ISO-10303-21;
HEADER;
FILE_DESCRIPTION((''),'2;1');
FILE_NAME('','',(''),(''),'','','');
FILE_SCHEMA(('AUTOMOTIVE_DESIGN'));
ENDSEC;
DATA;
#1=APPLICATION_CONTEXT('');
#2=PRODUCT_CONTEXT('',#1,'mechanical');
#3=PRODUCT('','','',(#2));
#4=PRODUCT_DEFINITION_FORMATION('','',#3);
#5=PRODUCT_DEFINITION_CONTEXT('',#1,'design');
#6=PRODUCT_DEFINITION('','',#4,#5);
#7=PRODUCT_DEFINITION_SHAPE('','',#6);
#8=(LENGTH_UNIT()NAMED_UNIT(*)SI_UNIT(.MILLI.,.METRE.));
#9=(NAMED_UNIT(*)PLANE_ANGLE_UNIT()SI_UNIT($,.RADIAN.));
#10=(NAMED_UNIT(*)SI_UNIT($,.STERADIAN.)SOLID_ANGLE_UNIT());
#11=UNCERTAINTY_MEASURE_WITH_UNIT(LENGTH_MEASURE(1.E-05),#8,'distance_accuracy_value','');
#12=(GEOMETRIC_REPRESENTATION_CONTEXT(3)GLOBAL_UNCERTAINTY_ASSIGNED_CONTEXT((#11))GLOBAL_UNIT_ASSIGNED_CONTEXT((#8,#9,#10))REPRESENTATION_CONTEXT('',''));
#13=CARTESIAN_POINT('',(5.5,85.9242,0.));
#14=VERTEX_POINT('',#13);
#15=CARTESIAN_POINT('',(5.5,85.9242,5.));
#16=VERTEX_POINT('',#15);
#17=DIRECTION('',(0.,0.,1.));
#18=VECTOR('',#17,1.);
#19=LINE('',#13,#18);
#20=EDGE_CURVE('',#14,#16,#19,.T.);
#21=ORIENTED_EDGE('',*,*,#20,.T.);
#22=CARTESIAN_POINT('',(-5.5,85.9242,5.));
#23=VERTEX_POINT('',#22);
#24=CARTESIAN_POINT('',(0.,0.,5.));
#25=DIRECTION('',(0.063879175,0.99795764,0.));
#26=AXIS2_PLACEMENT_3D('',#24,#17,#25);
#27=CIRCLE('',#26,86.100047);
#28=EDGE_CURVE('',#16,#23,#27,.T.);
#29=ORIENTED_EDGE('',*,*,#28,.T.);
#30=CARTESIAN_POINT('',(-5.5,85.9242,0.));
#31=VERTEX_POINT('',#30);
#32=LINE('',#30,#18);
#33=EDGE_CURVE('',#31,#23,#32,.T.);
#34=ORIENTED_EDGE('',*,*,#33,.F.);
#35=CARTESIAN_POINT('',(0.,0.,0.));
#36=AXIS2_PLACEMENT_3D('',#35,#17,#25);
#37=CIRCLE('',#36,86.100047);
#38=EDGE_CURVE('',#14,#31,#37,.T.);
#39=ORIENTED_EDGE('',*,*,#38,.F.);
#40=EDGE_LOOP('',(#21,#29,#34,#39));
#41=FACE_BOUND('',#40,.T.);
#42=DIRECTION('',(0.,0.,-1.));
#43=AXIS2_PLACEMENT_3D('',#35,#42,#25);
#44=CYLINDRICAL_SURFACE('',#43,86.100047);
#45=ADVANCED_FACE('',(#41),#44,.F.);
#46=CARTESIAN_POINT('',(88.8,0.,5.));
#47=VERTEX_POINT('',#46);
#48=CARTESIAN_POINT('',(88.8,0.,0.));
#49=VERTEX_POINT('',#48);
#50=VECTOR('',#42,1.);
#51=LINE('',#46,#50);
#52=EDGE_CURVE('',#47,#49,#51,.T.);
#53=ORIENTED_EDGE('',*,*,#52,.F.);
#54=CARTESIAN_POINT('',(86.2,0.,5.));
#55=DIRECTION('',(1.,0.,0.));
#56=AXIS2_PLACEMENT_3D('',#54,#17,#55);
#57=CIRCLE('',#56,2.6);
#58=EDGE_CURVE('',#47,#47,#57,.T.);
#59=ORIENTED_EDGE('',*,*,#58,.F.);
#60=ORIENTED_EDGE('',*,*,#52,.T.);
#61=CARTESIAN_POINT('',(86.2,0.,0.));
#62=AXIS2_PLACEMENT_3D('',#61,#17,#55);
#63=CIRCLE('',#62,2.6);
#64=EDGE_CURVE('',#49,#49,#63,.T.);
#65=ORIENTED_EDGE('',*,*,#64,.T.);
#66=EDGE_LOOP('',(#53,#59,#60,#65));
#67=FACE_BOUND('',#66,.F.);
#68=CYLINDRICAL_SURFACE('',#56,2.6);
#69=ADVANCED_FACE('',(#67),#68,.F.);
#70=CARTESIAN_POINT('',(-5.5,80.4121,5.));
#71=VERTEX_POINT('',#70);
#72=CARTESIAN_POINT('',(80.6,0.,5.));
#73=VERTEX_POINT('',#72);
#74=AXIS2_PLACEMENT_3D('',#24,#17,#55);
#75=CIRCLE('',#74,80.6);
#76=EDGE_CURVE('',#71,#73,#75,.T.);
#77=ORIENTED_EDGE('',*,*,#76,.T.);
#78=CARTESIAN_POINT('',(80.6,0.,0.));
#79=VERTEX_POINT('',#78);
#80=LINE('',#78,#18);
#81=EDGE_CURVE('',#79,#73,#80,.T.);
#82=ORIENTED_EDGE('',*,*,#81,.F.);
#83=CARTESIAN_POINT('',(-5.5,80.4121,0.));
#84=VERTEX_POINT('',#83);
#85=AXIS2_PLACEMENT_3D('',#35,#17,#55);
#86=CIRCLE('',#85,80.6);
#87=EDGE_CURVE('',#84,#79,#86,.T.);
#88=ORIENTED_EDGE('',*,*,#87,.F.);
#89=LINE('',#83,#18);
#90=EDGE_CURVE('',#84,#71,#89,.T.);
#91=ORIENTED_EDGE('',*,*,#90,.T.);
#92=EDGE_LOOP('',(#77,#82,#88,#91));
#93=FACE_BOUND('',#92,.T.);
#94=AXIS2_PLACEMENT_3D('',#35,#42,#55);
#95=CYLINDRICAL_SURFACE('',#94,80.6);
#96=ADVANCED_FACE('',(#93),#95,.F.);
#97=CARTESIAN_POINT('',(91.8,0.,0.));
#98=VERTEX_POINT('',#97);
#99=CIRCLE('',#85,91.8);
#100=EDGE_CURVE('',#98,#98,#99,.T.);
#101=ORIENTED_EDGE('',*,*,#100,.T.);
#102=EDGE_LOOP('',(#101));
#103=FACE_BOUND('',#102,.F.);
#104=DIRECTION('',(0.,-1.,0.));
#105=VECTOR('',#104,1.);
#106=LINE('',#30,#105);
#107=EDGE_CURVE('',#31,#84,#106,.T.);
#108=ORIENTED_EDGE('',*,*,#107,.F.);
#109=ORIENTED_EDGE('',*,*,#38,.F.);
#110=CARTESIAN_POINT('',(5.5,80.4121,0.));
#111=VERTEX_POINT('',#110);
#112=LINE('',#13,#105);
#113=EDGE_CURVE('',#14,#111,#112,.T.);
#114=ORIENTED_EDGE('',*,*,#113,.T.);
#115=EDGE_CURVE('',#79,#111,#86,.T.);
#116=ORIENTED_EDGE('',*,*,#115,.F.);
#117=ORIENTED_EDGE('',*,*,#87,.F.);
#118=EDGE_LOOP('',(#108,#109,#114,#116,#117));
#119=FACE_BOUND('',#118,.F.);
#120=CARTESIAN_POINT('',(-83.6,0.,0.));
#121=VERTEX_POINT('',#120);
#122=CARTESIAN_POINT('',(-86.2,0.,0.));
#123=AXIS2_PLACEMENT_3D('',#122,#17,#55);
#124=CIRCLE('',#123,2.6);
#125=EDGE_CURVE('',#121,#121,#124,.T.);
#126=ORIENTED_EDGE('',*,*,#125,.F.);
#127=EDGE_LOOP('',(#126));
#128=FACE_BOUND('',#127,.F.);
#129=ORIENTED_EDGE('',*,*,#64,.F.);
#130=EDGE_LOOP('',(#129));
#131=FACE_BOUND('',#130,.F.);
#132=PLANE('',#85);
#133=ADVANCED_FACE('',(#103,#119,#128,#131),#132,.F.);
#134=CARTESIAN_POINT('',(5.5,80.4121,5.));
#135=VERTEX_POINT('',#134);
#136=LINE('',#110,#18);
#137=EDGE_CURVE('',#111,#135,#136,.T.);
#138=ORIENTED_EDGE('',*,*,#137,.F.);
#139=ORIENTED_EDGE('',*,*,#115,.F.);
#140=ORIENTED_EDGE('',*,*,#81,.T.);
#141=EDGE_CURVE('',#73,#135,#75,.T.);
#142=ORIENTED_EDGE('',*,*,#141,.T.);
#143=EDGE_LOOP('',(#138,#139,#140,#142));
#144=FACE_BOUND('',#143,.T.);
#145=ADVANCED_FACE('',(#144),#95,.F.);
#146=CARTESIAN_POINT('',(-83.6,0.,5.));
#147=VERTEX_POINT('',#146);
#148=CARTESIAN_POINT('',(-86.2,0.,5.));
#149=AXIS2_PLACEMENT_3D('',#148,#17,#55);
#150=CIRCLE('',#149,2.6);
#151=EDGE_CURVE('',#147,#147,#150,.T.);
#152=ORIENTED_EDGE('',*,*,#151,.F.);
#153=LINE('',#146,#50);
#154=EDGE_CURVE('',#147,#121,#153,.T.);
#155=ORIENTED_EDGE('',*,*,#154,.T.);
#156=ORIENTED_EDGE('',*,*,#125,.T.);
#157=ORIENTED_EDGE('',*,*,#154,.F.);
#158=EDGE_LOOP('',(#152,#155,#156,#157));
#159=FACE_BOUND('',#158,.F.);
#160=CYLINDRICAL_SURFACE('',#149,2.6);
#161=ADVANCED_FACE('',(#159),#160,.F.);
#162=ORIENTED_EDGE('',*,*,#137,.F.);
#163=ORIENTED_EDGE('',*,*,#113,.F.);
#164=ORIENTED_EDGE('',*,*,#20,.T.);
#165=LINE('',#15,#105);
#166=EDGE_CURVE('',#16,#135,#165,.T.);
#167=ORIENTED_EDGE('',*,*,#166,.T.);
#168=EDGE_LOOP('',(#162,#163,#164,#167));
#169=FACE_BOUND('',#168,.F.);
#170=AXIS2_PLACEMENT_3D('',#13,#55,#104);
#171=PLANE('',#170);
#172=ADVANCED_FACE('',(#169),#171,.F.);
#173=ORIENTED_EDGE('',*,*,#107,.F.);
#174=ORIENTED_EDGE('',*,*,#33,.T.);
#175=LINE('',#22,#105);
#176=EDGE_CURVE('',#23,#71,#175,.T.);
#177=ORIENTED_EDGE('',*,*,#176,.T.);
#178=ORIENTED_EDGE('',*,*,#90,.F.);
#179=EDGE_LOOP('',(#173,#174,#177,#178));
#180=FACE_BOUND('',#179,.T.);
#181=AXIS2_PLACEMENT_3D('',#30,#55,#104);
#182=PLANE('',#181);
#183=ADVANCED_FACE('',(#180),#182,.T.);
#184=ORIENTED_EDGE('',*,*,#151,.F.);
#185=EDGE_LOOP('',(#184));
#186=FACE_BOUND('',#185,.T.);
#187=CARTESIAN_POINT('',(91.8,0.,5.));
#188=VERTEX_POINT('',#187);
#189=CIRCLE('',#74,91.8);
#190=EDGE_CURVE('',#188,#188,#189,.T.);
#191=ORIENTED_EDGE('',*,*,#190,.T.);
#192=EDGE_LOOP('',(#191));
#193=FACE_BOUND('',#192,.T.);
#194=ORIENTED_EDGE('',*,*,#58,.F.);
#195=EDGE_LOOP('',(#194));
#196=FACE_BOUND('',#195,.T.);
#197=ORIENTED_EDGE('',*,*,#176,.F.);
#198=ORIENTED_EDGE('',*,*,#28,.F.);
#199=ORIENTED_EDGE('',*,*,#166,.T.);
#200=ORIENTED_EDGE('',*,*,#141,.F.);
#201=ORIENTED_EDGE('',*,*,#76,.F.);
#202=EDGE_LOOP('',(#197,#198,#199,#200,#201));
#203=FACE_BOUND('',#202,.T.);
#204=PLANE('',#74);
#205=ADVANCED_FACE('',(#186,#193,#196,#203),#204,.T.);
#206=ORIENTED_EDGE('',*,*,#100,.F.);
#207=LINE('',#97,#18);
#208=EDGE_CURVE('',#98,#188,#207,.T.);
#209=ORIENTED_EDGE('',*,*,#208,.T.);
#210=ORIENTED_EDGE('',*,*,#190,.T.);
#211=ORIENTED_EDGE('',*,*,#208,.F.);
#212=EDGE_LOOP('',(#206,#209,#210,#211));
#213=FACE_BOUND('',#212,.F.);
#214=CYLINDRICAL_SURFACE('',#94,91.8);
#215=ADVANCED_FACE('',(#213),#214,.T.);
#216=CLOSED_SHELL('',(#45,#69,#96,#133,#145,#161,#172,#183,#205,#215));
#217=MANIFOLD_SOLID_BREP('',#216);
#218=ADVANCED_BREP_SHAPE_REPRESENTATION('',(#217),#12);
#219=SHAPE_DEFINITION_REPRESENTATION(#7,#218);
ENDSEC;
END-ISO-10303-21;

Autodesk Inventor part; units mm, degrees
ref_plane "YZ Plane" through (0, 0, 0) normal (1, 0, 0) x (0, 1, 0)
ref_plane "XZ Plane" through (0, 0, 0) normal (0, 1, 0) x (-1, 0, 0)
ref_plane "XY Plane" through (0, 0, 0) normal (0, 0, 1) x (1, 0, 0)
sketch "Skizze1" plane through (0, 0, 0) normal (0, 0, 1) x (1, 0, 0)
  circle A0 centre (0, 0) radius 80.1 construction
  circle A1 centre (0, 0) radius 93.8 construction
  circle A2 centre (0, 0) radius 80.6
  circle A3 centre (0, 0) radius 91.8
  arc A4 (5.5, 85.9242) -> (-5.5, 85.9242) centre (0, 0) ccw
  line L0 (-5.5, 85.9242) -> (-5.5, 80.4121)
  line L1 (5.5, 85.9242) -> (5.5, 80.4121)
  point P0 (0, 86.1)
  dimension "d0" = 187.6
  dimension "d1" = 160.2
  dimension "d2" = 2
  dimension "d3" = 0.5
  dimension "d6" = 6
  dimension "d7" = 11
extrude "Extrusion1" add sketch "Skizze1" along normal blind 5
sketch "Skizze2" plane through (0, 0, 5) normal (0, 0, 1) x (1, 0, 0)
  circle A0 centre (-86.2, 0) radius 2.6
  circle A1 centre (86.2, 0) radius 2.6
  line L0 (-86.2, 0) -> (86.2, 0) construction
  arc A2 (-5.5, 80.4121) -> (5.5, 80.4121) centre (0, 0) ccw construction
  point P0 (-80.6, 0)
  point P1 (80.6, 0)
  dimension "d8" = 5.2
  dimension "d9" = 5.6
  dimension "d10" = 5.6
extrude "Extrusion2" cut sketch "Skizze2" against normal blind 5
properties part number "Montage_Ring_Vorne"
